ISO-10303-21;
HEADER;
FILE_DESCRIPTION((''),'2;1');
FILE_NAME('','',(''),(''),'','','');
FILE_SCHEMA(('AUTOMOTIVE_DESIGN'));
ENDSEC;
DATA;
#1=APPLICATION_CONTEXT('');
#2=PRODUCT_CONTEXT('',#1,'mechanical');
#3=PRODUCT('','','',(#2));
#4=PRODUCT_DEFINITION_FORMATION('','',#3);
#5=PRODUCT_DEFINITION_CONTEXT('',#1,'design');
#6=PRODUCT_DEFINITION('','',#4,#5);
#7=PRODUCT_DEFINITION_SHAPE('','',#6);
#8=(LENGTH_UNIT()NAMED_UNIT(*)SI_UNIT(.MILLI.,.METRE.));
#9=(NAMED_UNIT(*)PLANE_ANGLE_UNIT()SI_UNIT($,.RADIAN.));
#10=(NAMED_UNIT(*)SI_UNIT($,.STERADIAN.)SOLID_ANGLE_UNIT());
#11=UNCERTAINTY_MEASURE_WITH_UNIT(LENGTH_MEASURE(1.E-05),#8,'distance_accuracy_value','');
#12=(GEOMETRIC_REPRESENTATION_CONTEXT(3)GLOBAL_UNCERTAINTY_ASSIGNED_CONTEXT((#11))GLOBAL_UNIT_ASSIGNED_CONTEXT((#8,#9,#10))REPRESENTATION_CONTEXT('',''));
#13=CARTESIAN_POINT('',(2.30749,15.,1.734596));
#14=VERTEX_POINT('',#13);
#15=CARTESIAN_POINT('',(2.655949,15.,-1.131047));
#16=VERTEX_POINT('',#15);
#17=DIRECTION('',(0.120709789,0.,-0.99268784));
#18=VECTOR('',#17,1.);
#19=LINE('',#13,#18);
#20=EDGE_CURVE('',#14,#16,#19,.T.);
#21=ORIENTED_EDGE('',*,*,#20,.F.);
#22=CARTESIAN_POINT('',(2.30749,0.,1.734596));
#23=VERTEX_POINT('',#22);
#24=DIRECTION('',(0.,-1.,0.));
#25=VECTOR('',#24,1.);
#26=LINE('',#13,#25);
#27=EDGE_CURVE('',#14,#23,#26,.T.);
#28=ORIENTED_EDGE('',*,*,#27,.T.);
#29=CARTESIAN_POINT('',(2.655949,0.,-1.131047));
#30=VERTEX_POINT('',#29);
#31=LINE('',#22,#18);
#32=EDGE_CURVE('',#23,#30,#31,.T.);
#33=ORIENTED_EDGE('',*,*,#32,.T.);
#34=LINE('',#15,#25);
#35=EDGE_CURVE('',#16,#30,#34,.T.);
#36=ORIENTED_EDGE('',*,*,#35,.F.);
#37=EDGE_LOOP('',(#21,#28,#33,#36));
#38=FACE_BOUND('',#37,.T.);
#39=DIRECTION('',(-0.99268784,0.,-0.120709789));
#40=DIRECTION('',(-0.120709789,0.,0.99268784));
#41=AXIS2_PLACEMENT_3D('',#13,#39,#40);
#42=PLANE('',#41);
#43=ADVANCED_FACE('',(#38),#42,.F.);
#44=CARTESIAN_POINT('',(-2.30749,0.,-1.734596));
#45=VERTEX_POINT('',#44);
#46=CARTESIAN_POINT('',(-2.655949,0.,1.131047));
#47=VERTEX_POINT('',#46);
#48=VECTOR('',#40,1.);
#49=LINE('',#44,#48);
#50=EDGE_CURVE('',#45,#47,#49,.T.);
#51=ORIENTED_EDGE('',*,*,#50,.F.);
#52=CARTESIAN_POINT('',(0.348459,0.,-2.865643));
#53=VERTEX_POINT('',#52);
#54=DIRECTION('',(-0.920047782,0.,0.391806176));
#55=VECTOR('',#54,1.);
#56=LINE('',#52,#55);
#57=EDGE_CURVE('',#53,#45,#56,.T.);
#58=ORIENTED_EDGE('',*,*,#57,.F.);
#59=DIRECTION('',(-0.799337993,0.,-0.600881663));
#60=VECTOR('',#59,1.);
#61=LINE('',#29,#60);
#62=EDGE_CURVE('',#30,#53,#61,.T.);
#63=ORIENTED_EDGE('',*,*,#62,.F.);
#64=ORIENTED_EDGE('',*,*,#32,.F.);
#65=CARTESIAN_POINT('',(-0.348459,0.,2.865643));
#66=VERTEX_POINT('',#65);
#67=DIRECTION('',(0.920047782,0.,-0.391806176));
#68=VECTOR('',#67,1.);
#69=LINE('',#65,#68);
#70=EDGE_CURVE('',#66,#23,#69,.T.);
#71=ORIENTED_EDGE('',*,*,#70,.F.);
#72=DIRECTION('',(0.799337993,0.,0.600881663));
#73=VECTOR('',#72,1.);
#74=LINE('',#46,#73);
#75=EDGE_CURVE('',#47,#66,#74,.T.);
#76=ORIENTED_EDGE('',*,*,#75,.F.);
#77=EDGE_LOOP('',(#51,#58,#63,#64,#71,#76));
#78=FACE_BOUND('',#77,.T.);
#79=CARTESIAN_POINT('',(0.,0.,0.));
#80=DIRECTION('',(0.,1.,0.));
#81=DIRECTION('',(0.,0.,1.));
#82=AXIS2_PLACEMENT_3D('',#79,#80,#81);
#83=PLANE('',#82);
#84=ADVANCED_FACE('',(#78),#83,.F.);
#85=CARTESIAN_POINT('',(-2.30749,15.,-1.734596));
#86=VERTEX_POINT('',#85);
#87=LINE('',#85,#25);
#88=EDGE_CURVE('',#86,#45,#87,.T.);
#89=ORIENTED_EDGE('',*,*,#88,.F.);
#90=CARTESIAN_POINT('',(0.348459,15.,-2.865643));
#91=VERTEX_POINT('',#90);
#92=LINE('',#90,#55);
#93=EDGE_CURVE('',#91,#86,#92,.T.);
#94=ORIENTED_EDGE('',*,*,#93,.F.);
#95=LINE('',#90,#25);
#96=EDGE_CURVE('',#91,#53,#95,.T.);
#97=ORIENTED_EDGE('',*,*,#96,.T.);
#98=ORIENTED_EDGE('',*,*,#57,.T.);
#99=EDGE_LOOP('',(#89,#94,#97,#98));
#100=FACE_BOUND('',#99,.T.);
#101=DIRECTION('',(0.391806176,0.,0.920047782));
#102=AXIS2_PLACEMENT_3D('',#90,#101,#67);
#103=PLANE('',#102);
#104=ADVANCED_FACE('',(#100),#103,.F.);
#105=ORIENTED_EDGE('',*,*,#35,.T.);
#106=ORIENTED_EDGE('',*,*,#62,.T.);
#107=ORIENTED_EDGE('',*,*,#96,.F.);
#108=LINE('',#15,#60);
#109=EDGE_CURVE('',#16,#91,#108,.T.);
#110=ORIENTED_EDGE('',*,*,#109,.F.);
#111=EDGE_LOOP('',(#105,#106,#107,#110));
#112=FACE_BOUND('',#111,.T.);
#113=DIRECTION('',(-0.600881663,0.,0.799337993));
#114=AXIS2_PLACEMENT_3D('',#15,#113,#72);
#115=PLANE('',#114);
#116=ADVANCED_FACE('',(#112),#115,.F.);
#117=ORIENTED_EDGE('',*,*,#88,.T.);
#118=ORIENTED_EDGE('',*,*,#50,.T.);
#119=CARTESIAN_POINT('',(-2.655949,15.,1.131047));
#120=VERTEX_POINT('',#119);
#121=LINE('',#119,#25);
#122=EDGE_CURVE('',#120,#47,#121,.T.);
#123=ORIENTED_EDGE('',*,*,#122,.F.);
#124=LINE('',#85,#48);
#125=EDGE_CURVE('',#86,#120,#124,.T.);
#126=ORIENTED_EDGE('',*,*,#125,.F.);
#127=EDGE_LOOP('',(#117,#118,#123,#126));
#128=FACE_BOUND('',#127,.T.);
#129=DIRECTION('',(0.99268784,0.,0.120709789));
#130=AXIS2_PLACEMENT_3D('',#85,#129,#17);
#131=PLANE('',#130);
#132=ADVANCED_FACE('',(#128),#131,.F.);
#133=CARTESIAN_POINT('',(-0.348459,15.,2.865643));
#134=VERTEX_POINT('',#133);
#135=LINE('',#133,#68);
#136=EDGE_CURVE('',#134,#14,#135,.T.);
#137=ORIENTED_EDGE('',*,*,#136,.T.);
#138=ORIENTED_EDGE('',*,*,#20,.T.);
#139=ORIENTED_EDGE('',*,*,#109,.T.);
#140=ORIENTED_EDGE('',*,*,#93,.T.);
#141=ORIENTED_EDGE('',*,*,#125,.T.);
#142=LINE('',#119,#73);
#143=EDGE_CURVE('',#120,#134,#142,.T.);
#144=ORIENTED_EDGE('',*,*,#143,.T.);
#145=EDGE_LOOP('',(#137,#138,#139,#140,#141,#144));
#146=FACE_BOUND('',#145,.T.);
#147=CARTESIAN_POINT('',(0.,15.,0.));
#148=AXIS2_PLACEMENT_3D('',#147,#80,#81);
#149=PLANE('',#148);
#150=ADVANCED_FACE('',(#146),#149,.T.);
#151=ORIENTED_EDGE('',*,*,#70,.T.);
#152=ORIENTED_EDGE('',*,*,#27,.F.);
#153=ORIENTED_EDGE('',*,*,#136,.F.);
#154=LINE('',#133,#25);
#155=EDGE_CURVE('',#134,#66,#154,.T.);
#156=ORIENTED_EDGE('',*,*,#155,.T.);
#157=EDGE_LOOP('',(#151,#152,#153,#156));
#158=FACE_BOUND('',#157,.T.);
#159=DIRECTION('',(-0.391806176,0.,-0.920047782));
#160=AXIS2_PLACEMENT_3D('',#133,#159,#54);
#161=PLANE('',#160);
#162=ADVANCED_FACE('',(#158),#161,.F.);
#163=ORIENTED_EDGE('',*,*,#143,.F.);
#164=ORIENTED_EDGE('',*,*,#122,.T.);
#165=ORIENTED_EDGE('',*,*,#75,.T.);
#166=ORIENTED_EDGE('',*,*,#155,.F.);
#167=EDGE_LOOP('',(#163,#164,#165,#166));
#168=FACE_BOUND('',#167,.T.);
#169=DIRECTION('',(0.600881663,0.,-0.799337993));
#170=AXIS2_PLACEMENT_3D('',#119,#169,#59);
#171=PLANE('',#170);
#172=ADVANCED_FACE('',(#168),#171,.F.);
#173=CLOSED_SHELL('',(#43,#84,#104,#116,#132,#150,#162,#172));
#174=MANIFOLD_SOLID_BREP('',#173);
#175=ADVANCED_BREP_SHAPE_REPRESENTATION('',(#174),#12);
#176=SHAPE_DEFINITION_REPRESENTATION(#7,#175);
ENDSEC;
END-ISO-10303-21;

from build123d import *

# Parameters (mm, degrees)
BOSS_EXTRUDE1_DEPTH = 15


with BuildPart() as part:
    # Sketch1 → Boss-Extrude1 (new body)
    with BuildSketch(Plane(origin=(0, 0, 0), x_dir=(1, 0, 0), z_dir=(0, 1, 0))):
        Polygon((2.307490026, -1.734595951), (2.655949172, 1.131047006), (0.348459146, 2.865642957), (-2.307490026, 1.734595951), (-2.655949172, -1.131047006), (-0.348459146, -2.865642957), align=None)
    extrude(amount=BOSS_EXTRUDE1_DEPTH)


solid = part.part
